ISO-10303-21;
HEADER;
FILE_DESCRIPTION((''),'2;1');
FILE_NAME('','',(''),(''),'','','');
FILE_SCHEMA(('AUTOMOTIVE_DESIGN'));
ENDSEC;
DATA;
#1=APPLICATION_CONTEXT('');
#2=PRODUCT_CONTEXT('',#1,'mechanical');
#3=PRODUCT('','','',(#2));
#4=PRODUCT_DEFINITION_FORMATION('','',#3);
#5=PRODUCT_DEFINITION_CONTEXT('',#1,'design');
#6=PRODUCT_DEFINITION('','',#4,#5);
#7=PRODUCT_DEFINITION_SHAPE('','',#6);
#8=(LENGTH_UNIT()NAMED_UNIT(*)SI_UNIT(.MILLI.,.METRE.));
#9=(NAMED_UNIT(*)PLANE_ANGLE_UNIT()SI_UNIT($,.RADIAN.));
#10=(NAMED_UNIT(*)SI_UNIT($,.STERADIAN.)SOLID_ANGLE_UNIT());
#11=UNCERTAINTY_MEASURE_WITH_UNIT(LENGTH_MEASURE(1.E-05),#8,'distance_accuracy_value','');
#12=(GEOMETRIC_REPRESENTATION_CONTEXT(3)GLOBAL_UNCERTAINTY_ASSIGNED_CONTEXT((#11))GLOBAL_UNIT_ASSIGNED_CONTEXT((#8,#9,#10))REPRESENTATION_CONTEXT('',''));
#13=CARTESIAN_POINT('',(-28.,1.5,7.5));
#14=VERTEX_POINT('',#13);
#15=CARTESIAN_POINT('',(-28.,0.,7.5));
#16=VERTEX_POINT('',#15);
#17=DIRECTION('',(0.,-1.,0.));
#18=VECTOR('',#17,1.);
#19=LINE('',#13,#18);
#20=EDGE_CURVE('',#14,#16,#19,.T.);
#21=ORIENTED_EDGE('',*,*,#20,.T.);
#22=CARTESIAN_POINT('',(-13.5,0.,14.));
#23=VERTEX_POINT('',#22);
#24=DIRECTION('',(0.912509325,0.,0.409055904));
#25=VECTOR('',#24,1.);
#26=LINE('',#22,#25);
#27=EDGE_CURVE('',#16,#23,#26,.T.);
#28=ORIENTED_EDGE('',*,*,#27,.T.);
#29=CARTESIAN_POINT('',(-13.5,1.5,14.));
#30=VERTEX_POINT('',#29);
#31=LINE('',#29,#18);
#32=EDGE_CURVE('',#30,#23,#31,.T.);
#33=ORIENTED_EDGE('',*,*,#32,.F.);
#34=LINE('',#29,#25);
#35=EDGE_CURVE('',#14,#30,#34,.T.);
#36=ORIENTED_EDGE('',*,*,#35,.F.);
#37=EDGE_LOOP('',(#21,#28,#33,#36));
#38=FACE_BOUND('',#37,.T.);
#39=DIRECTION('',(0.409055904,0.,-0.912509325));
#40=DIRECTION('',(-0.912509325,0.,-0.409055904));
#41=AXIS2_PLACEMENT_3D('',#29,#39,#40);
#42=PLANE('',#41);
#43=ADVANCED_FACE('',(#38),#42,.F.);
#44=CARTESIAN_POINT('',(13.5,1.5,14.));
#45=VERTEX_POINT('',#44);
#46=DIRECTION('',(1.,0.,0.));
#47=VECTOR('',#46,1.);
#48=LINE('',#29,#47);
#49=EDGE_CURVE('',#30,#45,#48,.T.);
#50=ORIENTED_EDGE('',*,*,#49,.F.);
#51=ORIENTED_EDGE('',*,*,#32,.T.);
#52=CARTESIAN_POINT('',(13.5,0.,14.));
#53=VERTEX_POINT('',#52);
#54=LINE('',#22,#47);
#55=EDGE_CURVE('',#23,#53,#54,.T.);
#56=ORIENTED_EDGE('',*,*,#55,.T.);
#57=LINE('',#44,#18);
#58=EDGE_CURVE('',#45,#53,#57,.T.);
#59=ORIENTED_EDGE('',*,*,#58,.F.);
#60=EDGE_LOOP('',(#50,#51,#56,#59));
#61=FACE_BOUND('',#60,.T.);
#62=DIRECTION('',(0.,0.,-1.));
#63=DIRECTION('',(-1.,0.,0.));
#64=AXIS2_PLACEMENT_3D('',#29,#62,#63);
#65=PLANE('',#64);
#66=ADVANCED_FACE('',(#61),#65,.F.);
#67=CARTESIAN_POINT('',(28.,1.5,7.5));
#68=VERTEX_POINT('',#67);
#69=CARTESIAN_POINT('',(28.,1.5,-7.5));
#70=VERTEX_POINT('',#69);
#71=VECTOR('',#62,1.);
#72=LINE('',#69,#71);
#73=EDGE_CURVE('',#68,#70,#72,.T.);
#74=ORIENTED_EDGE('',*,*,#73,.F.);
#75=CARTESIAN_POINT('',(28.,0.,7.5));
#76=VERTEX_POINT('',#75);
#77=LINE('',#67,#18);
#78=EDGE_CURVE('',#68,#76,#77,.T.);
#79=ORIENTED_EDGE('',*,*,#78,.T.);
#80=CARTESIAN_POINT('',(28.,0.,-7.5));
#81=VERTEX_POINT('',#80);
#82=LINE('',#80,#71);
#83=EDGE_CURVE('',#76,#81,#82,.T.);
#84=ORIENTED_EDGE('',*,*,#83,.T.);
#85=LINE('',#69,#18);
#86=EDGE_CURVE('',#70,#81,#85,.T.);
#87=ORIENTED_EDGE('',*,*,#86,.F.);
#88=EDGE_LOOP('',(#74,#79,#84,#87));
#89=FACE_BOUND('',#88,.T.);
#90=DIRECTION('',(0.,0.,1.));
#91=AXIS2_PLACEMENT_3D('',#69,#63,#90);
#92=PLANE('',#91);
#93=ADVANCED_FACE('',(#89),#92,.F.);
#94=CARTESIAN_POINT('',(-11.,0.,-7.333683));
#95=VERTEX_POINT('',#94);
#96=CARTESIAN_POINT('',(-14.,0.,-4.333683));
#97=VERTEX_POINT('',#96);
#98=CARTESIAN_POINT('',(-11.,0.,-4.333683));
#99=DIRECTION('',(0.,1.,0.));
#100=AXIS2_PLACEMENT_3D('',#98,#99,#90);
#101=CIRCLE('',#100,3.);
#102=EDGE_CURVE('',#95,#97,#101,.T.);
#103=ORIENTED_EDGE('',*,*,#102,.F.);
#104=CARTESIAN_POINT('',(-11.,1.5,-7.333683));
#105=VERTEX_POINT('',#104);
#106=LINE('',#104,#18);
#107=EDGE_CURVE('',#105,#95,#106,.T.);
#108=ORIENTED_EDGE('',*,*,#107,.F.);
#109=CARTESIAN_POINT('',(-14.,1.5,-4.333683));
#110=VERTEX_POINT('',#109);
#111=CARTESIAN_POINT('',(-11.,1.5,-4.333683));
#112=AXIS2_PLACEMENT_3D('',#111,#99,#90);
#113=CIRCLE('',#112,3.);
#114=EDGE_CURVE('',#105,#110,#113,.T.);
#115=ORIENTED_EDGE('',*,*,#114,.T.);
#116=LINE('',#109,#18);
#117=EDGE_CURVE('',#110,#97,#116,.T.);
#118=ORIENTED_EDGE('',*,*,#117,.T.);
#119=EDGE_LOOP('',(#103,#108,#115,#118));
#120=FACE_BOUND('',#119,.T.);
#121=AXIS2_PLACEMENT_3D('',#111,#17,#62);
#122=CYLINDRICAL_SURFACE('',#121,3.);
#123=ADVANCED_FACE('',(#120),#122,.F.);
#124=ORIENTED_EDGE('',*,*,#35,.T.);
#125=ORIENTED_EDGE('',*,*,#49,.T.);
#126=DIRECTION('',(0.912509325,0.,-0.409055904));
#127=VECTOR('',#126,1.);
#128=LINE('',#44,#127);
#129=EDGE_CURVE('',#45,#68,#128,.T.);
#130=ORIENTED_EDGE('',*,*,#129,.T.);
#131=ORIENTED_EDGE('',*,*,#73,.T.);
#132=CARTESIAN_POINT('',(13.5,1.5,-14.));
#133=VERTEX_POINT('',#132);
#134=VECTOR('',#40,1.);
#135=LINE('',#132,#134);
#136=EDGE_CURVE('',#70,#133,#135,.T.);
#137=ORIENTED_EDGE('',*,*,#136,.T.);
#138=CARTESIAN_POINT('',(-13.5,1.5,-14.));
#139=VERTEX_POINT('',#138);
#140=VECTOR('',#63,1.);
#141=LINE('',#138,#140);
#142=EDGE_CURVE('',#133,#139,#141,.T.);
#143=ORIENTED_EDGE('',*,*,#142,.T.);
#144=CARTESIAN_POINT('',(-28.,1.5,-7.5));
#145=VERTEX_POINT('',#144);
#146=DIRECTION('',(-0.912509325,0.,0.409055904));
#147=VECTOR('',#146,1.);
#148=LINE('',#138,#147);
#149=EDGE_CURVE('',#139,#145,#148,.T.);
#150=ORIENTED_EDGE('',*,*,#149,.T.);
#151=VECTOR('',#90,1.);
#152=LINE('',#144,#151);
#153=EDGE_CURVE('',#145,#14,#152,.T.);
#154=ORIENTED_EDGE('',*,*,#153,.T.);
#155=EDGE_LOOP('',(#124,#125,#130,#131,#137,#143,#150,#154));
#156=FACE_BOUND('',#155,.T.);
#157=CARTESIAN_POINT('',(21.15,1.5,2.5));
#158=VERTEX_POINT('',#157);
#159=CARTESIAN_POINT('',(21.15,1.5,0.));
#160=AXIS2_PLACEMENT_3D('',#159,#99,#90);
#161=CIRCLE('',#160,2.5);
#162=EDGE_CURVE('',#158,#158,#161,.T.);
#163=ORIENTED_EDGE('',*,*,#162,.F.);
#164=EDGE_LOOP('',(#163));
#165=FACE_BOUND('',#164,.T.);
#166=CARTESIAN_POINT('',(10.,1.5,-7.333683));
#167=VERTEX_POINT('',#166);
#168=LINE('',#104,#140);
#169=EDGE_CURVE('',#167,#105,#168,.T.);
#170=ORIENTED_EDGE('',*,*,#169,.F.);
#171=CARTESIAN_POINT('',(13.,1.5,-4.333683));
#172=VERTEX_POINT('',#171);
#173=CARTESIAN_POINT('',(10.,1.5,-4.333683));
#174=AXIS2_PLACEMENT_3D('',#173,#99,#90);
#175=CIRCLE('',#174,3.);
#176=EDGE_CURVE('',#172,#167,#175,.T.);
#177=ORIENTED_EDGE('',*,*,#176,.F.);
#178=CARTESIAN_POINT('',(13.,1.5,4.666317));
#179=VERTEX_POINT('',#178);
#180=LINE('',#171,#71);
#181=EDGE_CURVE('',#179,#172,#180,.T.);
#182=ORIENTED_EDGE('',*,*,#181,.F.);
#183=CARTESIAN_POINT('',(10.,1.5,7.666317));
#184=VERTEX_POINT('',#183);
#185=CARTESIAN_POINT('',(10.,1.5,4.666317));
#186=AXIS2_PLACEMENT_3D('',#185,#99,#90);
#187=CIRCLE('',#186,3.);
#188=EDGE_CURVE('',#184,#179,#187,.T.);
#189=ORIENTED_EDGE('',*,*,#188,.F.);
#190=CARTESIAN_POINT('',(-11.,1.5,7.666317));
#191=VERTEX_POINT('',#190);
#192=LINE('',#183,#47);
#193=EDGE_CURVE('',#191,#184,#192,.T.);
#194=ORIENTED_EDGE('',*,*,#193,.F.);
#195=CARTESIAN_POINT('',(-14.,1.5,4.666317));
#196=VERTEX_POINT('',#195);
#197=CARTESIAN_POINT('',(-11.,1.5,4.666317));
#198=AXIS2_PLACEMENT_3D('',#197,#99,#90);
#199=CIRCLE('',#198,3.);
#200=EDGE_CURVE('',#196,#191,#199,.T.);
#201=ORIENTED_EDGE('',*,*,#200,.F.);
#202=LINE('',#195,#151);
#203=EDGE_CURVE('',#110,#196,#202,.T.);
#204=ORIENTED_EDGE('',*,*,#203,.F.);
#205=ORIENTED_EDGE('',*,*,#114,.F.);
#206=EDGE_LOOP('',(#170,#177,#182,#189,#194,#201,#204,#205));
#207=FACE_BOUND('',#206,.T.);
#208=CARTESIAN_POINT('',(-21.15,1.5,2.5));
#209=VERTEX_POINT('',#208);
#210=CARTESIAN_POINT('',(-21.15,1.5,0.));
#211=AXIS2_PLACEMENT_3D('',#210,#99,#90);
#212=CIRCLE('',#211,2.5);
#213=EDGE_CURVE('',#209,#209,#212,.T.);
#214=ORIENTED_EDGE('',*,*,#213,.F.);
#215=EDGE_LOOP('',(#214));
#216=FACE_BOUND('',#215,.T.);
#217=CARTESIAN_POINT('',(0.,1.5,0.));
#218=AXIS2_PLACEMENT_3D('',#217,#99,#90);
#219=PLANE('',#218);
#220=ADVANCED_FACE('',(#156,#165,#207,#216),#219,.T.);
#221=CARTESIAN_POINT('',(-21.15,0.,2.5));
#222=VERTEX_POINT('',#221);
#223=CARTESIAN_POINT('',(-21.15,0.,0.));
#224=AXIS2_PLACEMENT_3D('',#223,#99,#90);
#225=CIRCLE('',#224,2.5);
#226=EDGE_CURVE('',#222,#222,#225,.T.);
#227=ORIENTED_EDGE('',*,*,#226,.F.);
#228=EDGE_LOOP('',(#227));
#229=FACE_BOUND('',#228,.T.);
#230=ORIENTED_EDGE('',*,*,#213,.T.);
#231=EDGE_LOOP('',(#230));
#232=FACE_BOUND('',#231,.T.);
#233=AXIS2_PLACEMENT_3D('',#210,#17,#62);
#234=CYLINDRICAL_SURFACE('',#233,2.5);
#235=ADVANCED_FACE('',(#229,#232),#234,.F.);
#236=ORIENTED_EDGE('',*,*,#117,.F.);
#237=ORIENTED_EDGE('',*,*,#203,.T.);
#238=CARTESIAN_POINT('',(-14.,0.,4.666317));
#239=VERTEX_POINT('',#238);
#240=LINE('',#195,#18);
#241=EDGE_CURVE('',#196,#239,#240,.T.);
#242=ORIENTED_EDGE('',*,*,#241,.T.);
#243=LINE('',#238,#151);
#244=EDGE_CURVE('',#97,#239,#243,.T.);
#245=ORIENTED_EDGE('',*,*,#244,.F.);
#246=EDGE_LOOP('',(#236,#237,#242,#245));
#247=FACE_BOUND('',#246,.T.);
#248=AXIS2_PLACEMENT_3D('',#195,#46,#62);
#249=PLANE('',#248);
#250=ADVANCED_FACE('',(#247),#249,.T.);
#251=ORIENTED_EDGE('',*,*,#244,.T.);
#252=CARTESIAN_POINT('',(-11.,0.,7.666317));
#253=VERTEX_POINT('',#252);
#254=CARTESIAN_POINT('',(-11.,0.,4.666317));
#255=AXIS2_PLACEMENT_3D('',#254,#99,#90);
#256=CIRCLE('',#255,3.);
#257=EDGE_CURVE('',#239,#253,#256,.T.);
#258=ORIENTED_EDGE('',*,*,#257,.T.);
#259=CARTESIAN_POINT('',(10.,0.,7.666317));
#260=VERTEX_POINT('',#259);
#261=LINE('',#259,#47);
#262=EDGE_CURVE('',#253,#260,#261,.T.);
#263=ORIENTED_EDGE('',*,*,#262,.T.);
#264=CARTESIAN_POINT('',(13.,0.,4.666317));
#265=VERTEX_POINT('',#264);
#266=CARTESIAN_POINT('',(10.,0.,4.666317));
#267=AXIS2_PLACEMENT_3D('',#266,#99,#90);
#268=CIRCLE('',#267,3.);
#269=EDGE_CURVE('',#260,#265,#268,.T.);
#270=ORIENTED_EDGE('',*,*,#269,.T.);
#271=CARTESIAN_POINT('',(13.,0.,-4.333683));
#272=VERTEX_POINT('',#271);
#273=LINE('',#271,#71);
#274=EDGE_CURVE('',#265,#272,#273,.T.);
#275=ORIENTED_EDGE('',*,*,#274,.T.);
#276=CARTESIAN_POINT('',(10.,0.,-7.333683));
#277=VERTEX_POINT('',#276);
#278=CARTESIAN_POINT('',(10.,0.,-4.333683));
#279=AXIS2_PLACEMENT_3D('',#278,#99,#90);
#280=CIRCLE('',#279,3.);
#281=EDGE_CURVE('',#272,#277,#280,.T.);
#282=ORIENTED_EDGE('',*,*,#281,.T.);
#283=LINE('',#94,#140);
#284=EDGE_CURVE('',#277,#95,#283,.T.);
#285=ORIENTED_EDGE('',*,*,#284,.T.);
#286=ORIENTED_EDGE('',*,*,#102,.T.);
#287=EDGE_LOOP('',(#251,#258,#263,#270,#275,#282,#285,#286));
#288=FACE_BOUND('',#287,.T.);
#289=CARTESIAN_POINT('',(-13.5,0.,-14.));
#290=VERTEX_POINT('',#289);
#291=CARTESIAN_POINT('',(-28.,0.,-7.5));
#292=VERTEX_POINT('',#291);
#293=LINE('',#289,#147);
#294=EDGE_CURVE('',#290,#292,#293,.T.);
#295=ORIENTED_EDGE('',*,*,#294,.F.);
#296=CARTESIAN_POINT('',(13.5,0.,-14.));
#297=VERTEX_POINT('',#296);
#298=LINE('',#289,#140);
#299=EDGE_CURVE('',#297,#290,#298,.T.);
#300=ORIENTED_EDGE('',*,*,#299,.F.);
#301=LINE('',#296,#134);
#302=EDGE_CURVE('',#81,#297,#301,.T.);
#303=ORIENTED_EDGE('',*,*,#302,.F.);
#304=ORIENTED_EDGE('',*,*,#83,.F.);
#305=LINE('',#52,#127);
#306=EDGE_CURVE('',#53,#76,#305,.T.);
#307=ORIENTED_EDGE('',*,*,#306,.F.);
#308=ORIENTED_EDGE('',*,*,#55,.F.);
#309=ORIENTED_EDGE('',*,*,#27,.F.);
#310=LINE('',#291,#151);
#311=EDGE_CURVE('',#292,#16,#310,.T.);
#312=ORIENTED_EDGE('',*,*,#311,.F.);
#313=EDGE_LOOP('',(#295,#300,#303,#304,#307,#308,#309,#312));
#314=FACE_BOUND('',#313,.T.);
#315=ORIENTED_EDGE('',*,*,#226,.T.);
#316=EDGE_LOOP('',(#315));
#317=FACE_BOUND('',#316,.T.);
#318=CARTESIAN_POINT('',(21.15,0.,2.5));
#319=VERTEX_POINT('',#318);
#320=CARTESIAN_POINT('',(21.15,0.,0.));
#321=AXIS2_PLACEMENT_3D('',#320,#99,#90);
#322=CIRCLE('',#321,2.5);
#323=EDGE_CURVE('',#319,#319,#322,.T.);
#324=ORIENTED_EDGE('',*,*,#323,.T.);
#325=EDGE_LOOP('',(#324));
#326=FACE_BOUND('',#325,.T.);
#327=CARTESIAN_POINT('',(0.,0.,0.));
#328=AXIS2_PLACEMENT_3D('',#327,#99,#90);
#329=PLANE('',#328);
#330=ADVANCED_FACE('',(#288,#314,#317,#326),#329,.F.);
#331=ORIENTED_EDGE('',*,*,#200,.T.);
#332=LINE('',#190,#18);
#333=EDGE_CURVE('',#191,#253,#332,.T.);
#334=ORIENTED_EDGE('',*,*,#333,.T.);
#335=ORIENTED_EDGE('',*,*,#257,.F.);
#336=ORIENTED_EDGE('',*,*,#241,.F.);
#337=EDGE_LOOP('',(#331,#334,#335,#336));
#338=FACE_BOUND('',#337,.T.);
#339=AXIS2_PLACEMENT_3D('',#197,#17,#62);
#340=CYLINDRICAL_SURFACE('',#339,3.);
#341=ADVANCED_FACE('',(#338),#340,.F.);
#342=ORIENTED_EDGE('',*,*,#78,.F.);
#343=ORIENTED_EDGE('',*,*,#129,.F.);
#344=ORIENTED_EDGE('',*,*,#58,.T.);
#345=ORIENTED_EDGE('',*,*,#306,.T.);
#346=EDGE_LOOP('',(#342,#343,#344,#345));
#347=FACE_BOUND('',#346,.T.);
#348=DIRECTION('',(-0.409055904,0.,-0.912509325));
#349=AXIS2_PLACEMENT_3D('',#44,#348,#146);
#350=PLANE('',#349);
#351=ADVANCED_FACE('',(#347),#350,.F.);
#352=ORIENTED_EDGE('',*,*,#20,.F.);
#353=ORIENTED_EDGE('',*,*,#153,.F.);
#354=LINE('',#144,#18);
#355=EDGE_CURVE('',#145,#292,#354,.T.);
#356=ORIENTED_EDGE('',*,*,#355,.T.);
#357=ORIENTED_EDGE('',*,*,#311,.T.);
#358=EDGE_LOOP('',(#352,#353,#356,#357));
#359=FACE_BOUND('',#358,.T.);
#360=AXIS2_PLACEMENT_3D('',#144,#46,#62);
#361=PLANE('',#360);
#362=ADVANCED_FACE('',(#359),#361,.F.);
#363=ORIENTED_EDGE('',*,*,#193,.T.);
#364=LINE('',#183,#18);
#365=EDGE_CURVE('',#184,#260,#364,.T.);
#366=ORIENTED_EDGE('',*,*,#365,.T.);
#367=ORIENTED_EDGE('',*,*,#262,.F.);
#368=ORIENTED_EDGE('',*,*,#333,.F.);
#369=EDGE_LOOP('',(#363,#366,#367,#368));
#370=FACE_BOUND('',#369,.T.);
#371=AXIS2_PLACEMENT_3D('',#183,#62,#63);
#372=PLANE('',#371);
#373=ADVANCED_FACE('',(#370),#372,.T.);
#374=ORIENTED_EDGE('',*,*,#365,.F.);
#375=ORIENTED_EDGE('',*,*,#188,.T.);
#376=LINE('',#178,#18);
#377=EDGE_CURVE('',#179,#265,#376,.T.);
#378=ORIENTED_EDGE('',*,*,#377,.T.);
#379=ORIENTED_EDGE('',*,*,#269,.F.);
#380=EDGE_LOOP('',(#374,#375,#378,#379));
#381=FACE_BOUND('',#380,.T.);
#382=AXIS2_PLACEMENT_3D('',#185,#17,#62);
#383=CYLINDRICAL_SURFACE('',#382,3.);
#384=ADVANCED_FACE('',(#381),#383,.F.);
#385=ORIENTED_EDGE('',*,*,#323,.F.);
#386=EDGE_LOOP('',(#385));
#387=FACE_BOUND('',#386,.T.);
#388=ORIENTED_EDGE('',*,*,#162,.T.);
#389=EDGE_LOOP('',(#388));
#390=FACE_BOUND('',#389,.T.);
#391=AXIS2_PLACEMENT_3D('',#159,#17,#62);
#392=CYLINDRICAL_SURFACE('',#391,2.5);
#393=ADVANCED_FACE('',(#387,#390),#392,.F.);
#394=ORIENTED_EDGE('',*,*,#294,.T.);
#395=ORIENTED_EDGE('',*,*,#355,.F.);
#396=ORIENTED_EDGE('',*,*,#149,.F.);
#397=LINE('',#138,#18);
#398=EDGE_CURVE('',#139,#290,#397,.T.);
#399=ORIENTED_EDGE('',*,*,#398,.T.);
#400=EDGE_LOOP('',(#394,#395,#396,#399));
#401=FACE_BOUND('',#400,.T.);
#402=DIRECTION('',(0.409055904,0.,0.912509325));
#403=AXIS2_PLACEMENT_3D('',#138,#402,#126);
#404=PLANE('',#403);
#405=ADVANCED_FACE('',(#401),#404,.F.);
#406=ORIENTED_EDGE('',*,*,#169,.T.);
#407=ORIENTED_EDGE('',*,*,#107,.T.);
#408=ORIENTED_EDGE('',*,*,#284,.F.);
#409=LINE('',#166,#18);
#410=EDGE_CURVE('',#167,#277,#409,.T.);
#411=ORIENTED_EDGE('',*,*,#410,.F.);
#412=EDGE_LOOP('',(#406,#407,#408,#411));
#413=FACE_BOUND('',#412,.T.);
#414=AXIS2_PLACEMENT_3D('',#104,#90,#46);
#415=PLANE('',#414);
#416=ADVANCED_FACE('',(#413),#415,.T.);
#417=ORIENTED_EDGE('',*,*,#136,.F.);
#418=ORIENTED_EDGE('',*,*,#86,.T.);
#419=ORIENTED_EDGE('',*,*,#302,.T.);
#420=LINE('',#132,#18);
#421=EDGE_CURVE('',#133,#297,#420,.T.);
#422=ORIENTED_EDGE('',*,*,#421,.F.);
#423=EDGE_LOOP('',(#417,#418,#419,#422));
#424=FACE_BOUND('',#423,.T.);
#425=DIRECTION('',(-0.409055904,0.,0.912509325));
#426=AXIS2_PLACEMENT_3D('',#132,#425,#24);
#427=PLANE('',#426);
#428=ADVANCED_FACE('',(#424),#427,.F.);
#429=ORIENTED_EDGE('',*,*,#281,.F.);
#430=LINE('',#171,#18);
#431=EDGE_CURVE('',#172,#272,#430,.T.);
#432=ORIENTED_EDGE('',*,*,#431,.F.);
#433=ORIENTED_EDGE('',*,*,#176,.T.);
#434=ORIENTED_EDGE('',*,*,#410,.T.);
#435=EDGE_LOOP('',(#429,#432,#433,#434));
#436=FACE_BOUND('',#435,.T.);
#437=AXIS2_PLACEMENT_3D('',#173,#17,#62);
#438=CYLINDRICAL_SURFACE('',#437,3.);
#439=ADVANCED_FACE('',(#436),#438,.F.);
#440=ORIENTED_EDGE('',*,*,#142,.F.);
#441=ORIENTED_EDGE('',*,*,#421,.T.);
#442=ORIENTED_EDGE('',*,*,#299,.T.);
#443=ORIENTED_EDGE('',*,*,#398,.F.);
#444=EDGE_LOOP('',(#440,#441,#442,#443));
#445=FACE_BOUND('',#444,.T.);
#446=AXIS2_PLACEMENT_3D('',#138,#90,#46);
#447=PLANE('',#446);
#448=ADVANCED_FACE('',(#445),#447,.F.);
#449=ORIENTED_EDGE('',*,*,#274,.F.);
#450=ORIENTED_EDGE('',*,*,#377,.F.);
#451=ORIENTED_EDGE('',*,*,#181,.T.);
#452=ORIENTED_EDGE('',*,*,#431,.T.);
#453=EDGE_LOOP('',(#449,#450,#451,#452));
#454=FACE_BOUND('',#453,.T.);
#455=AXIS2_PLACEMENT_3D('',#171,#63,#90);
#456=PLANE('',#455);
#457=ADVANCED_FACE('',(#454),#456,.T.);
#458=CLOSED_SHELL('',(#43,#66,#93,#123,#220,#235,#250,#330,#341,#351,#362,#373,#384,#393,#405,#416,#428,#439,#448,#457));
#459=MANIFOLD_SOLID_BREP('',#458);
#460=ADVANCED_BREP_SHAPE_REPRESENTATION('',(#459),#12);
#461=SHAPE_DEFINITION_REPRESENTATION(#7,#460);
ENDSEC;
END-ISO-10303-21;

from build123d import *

# Parameters (mm, degrees)
SKETCH1_R           = 2.5
BOSS_EXTRUDE1_DEPTH = 1.5


with BuildPart() as part:
    # Sketch1 → Boss-Extrude1 (new body)
    with BuildSketch(Plane(origin=(0, 0, 0), x_dir=(1, 0, 0), z_dir=(0, 1, 0))):
        Polygon((-13.5, 14), (13.5, 14), (28, 7.5), (28, -7.5), (13.5, -14), (-13.5, -14), (-28, -7.5), (-28, 7.5), align=None)
        with Locations((21.15, 0)):
            Circle(SKETCH1_R, mode=Mode.SUBTRACT)
        with Locations((-21.15, 0)):
            Circle(SKETCH1_R, mode=Mode.SUBTRACT)
        with BuildLine():
            Line((13, 4.333683406), (13, -4.666316594))
            ThreePointArc((13, -4.666316594), (12.121320344, -6.787636938), (10, -7.666316594))
            Line((10, -7.666316594), (-11, -7.666316594))
            ThreePointArc((-11, -7.666316594), (-13.121320344, -6.787636938), (-14, -4.666316594))
            Line((-14, -4.666316594), (-14, 4.333683406))
            ThreePointArc((-14, 4.333683406), (-13.121320344, 6.455003749), (-11, 7.333683406))
            Line((-11, 7.333683406), (10, 7.333683406))
            ThreePointArc((10, 7.333683406), (12.121320344, 6.455003749), (13, 4.333683406))
        make_face(mode=Mode.SUBTRACT)
    extrude(amount=BOSS_EXTRUDE1_DEPTH)


solid = part.part
